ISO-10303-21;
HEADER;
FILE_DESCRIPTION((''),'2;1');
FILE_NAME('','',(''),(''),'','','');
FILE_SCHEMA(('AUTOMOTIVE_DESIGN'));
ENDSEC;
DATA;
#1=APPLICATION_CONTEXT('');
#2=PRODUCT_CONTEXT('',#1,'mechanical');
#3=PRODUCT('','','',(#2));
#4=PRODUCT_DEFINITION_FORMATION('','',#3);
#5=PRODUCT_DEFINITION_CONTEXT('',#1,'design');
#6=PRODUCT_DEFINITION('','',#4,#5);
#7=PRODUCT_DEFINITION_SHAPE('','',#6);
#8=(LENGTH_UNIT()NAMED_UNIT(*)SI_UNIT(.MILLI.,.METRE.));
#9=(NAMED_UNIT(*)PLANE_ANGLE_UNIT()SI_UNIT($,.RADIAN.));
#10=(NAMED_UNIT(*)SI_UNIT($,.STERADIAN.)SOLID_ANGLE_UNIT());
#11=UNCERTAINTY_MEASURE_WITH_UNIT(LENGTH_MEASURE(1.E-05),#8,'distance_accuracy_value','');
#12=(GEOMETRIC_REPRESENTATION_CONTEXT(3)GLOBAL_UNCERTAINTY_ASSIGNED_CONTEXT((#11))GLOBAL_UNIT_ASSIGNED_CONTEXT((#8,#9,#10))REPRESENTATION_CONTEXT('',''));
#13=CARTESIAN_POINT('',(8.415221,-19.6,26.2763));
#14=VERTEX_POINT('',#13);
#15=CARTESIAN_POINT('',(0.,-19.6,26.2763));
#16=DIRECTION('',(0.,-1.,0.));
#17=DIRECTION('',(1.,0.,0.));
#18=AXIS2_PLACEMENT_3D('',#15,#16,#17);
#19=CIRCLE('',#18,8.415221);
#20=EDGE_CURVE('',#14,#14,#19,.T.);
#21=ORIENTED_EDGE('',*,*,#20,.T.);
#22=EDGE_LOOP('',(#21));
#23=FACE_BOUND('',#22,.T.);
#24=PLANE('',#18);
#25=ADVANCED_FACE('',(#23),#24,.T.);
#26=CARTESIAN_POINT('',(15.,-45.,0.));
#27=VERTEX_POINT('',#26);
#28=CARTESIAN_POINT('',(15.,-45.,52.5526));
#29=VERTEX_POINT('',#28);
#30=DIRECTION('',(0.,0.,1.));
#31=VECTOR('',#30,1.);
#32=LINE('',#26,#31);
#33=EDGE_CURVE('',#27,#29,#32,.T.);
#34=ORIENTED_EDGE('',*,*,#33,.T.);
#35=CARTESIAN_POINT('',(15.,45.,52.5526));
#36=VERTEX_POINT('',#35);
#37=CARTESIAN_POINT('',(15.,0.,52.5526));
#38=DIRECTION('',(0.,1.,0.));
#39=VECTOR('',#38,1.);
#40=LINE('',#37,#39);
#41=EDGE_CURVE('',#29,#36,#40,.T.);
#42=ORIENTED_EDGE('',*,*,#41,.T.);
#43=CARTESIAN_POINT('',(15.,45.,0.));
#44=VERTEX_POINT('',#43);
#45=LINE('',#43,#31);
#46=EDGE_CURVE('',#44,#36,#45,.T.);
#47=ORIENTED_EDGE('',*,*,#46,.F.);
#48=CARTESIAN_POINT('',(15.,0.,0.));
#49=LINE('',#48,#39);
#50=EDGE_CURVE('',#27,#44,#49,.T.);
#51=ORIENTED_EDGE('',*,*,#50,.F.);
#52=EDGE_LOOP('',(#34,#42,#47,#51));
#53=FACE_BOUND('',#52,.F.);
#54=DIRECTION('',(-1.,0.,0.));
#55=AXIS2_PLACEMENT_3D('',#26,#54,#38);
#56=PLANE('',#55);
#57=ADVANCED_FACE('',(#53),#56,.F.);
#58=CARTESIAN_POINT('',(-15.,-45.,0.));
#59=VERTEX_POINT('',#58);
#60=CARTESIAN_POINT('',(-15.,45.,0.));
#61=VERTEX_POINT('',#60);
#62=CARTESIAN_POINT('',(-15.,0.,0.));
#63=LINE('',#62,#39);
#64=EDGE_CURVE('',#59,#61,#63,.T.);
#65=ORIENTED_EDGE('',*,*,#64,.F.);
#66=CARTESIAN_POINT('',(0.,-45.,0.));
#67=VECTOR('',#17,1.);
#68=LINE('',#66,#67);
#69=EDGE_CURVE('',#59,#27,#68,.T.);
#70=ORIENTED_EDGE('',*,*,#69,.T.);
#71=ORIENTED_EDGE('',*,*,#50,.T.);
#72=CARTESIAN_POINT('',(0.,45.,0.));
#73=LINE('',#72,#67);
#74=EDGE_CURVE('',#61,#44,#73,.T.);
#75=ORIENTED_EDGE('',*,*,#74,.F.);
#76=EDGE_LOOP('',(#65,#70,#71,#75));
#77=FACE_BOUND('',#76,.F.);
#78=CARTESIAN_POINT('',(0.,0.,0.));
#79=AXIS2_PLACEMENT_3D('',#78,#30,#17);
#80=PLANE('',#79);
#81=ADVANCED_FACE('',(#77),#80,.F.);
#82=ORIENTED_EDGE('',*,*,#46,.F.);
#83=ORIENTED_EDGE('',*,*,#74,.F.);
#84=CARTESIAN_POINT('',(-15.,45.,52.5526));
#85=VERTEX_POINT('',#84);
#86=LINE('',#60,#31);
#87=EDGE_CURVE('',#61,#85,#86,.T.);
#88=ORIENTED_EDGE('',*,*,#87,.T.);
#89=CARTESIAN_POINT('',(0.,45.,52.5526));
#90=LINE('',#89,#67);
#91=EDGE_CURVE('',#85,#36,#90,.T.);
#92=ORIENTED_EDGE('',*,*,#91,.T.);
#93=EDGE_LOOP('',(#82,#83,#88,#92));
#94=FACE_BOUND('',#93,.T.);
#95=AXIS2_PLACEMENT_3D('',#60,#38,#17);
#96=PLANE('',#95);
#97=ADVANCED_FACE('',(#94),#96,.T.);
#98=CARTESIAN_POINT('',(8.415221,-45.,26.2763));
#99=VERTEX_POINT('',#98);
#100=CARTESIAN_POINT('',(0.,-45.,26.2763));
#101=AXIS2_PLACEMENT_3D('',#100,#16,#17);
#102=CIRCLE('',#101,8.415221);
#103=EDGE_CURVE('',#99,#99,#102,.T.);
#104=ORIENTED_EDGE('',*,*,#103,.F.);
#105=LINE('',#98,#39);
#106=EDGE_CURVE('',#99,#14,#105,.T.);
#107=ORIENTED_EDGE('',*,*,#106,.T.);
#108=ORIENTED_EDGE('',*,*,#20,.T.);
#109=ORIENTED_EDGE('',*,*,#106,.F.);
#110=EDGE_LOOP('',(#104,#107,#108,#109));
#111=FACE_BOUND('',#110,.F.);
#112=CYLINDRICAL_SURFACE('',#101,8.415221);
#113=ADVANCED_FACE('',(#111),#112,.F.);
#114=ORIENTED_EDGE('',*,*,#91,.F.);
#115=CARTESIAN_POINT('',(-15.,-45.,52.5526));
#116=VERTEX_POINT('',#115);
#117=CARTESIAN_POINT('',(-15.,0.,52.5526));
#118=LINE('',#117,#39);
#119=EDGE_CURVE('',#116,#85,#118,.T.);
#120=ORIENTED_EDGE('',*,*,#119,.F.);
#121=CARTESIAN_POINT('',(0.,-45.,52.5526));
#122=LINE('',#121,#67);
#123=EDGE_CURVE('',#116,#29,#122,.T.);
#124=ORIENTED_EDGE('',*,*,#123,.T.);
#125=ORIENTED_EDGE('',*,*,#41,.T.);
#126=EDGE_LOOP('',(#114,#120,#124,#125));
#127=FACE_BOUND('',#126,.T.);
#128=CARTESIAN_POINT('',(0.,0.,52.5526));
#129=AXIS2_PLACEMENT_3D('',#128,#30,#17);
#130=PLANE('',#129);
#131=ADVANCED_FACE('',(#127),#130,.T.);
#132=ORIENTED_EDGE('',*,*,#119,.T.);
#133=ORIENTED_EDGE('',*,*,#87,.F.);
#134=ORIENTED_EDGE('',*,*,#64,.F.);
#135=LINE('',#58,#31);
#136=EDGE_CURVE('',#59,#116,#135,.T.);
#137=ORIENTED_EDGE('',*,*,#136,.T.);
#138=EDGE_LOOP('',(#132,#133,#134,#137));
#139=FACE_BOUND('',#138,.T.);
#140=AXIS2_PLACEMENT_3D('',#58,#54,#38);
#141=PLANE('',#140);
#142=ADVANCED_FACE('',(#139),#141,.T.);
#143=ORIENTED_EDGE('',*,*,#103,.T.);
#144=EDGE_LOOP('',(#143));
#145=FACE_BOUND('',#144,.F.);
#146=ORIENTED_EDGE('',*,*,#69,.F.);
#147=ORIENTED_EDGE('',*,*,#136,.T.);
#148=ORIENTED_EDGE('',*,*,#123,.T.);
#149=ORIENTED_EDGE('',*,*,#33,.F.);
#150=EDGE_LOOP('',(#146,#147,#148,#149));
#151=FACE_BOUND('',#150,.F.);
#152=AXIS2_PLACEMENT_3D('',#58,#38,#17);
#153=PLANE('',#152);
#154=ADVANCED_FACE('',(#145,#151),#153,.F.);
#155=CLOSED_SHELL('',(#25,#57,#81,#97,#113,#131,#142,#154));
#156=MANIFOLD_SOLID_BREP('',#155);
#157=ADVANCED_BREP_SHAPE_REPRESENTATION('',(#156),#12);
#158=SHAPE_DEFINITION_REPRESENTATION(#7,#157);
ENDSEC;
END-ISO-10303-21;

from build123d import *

# Parameters (mm, degrees)
F0_W       = 30
F0_H       = 90
F1_DEPTH   = 52.5526
F2_R       = 8.415221428
F1_FACE1_W = 30
F1_FACE1_H = 52.5526
F3_DEPTH   = 25.4


with BuildPart() as f1:
    # F0 (on Top) → F1 (new body)
    with BuildSketch(Plane.XY):
        Rectangle(F0_W, F0_H)
    extrude(amount=F1_DEPTH)

    # F2 (on face) + F1_face1 (on face) → F3 (cut)
    with BuildSketch(Plane.XZ.offset(45)):
        with Locations((0, 26.2763)):
            Circle(F2_R)
    with BuildSketch(Plane(origin=(0, 45, 26.2763), x_dir=(-1, 0, 0), z_dir=(0, 1, 0))):
        Rectangle(F1_FACE1_W, F1_FACE1_H)
    extrude(amount=-F3_DEPTH, dir=(0, -1, 0), mode=Mode.SUBTRACT)


solid = f1.part
